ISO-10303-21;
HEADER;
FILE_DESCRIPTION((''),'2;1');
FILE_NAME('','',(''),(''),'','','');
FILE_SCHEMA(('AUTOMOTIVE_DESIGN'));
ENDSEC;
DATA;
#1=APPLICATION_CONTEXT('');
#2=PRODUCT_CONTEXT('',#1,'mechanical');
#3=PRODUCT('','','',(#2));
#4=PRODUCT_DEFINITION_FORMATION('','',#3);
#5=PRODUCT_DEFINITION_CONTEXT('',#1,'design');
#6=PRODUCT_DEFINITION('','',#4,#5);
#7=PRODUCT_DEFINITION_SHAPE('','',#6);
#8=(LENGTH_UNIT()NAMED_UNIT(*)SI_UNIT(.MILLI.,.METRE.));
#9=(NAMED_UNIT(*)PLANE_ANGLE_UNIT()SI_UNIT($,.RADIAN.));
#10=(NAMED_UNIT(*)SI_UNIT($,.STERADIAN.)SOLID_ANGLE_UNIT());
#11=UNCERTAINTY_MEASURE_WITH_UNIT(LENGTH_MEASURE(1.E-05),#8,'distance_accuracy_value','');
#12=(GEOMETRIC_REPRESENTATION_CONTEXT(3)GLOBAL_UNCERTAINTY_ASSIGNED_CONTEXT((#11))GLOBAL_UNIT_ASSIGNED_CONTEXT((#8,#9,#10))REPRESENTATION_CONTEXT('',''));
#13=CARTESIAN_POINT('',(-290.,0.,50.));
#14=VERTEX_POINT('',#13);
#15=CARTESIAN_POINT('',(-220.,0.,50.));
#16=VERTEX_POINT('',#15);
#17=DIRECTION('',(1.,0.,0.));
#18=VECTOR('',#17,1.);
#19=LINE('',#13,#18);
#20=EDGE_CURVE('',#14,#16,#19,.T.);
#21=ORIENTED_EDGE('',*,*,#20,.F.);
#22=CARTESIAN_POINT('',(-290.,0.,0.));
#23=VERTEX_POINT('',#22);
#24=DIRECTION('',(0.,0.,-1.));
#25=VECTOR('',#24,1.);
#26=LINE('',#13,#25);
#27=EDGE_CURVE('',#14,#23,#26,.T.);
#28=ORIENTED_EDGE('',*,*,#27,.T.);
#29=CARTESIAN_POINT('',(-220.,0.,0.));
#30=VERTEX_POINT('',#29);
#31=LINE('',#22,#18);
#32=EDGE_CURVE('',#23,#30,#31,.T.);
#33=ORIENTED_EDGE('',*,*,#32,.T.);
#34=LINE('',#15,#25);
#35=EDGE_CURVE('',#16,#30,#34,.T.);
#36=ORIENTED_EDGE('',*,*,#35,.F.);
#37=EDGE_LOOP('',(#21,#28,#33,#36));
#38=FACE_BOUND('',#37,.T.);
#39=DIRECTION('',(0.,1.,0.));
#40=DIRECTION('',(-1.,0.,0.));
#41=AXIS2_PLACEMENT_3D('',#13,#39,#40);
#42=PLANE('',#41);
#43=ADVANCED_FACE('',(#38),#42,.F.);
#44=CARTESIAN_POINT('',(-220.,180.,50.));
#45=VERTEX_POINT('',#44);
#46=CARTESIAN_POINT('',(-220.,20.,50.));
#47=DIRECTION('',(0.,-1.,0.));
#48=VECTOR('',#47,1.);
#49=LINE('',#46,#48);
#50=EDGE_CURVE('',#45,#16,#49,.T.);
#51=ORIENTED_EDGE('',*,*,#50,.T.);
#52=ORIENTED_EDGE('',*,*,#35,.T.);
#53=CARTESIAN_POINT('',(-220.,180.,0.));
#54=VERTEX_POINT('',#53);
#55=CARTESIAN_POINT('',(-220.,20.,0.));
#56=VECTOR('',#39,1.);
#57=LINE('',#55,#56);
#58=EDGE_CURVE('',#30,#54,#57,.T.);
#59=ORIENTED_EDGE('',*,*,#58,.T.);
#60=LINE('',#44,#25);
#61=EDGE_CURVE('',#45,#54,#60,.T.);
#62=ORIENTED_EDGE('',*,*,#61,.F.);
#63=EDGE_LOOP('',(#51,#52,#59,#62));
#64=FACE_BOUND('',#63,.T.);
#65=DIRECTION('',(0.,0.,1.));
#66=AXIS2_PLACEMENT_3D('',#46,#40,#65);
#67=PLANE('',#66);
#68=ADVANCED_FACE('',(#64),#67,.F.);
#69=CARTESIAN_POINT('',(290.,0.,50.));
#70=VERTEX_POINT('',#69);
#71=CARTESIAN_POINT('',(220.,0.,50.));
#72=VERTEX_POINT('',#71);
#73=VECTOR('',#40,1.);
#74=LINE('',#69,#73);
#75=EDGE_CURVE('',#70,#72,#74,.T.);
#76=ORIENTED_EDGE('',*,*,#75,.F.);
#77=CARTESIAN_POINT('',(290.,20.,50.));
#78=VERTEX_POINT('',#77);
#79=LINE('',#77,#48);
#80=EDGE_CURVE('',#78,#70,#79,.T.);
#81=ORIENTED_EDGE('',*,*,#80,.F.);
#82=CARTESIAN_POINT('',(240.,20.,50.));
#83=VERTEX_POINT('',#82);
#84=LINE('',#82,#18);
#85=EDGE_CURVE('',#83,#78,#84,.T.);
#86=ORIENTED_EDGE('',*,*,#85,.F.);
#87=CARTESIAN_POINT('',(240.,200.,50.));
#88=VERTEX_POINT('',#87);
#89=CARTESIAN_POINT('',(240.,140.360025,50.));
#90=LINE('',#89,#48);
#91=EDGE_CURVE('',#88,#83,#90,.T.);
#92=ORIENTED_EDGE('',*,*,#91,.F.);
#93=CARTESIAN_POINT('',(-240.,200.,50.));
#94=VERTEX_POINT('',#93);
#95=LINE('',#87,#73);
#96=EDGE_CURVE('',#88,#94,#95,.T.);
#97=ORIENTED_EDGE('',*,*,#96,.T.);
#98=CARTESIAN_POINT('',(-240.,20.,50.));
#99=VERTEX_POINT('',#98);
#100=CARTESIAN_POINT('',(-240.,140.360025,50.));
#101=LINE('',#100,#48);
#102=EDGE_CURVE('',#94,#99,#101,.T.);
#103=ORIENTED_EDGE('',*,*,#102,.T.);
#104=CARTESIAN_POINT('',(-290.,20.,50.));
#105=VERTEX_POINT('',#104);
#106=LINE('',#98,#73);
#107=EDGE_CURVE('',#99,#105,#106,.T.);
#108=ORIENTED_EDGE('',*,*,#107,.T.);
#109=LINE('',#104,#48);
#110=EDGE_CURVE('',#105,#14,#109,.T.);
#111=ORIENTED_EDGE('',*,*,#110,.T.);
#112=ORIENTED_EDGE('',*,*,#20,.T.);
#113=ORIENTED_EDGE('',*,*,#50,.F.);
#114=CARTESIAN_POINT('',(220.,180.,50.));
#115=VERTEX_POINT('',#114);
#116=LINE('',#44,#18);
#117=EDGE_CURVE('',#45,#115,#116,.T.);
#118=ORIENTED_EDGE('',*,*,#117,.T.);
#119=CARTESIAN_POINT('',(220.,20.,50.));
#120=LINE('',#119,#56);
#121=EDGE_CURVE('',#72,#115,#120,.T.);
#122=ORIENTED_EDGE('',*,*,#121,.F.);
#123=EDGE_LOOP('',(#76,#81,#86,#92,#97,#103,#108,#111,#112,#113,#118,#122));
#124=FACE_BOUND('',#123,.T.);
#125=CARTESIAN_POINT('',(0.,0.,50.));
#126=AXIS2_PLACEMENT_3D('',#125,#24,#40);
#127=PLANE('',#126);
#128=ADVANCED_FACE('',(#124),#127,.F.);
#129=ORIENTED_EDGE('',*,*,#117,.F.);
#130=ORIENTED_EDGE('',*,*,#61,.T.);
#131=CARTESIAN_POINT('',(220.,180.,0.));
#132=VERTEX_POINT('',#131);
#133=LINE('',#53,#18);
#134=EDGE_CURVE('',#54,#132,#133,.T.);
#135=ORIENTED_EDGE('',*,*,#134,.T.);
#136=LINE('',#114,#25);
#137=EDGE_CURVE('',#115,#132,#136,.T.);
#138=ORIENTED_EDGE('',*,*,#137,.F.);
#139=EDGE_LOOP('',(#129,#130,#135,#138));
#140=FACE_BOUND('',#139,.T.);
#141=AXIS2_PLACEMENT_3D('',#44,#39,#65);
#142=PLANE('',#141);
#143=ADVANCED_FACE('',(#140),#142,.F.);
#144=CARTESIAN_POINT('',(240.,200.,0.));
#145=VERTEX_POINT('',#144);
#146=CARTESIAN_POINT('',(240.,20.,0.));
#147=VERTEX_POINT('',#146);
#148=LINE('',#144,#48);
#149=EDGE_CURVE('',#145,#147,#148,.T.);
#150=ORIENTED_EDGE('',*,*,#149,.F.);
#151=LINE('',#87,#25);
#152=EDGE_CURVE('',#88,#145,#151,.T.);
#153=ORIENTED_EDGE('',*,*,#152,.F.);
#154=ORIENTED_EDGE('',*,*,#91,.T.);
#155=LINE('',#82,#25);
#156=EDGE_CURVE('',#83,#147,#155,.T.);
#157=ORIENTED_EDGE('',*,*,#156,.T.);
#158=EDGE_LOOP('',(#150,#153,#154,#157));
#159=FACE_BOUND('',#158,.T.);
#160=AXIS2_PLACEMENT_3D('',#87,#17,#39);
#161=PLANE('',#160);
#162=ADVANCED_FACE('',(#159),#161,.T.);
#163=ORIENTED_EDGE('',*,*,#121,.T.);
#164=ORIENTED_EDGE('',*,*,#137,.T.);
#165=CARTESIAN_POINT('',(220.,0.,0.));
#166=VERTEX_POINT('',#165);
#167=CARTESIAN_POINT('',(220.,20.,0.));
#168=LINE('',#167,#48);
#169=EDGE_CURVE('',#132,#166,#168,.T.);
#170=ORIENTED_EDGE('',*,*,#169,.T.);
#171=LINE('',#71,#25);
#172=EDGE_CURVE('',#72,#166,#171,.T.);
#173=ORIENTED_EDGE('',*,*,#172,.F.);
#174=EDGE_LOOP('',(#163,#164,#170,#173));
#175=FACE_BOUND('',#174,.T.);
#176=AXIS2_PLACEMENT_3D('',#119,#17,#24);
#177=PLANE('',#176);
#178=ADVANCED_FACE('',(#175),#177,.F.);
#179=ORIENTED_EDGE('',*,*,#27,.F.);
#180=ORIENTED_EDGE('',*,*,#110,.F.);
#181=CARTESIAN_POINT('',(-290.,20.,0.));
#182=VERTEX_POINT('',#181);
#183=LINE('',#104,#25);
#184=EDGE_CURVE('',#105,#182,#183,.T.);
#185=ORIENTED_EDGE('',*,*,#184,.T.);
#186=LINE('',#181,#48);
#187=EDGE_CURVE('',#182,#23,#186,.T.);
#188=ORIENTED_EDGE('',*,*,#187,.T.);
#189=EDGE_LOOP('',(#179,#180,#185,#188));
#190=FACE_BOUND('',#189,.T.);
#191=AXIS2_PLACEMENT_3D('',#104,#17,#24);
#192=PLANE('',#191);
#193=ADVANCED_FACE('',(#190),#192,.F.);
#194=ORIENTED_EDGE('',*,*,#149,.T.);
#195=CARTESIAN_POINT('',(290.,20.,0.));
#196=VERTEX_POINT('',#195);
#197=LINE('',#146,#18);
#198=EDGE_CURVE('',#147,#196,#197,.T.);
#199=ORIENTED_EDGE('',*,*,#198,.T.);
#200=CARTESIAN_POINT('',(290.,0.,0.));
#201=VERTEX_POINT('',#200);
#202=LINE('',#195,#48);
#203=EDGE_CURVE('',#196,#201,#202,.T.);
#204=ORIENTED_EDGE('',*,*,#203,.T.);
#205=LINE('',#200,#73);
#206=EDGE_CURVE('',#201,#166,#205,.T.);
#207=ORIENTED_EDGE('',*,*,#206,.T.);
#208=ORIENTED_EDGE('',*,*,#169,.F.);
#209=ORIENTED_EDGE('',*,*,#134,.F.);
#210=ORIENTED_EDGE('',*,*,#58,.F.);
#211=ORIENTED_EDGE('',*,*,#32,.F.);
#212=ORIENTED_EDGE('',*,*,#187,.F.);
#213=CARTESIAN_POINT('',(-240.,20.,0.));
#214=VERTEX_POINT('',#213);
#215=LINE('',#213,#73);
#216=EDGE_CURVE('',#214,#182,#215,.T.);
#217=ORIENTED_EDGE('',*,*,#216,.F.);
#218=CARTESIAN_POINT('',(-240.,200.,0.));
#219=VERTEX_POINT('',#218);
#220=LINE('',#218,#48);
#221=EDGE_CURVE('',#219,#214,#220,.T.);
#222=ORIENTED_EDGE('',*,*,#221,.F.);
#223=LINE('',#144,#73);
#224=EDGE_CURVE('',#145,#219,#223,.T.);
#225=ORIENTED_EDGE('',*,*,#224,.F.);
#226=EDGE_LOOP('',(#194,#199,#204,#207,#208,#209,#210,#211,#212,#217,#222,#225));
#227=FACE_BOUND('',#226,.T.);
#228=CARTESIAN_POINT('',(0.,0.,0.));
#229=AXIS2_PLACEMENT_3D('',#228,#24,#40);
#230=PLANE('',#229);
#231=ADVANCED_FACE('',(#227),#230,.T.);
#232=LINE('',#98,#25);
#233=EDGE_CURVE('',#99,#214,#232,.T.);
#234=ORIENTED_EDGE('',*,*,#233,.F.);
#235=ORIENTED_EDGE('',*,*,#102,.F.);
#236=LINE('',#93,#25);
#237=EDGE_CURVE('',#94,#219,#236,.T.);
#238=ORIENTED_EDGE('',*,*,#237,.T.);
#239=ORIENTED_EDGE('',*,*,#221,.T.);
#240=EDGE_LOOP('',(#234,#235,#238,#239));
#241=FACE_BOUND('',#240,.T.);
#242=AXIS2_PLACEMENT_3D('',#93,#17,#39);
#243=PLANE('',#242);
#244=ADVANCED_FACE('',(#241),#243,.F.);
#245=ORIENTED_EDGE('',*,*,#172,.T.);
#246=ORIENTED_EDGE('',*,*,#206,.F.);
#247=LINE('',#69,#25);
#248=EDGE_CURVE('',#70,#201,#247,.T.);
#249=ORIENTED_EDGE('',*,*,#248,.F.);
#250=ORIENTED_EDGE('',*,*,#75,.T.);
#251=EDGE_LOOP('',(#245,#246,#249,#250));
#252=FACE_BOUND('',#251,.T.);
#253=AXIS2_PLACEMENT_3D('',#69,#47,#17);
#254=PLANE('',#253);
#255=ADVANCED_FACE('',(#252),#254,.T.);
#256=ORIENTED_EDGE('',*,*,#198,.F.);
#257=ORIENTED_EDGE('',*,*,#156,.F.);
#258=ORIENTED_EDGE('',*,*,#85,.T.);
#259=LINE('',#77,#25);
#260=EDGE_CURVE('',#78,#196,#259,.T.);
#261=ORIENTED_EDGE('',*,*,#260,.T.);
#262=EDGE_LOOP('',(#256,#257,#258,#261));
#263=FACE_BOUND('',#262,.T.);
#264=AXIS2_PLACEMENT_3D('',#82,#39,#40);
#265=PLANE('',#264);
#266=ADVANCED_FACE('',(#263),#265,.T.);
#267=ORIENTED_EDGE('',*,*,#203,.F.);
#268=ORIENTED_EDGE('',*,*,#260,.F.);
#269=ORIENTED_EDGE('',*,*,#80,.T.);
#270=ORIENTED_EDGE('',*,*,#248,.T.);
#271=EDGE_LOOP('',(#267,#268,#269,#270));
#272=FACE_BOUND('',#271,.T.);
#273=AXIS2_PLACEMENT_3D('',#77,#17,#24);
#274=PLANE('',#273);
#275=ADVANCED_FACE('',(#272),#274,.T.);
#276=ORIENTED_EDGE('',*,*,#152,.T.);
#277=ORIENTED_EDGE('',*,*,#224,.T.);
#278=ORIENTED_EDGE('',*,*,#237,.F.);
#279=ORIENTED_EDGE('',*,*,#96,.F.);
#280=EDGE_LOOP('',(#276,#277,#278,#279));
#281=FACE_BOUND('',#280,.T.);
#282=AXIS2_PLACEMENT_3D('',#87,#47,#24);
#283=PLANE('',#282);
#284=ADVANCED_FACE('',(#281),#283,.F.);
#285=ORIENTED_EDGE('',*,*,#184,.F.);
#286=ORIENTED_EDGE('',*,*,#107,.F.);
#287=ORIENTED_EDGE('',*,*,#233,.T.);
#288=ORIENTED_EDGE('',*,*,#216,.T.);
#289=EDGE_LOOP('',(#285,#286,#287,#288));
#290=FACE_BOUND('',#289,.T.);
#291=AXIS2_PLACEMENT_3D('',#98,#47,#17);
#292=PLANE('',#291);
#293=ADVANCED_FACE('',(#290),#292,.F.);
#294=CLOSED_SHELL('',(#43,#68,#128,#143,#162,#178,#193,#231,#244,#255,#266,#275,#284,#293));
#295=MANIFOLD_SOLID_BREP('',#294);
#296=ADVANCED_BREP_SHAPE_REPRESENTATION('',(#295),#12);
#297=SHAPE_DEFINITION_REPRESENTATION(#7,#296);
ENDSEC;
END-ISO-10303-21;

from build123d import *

# Parameters (mm, degrees)
BOSS_EXTRUDE1_DEPTH = 50


with BuildPart() as part:
    # Sketch1 → Boss-Extrude1 (new body)
    with BuildSketch(Plane.XY):
        Polygon((-290, 0), (-220, 0), (-220, 20), (-220, 180), (220, 180), (220, 20), (220, 0), (290, 0), (290, 20), (240, 20), (240, 140.360024578), (240, 200), (-240, 200), (-240, 140.360024578), (-240, 20), (-290, 20), align=None)
    extrude(amount=BOSS_EXTRUDE1_DEPTH)


solid = part.part
